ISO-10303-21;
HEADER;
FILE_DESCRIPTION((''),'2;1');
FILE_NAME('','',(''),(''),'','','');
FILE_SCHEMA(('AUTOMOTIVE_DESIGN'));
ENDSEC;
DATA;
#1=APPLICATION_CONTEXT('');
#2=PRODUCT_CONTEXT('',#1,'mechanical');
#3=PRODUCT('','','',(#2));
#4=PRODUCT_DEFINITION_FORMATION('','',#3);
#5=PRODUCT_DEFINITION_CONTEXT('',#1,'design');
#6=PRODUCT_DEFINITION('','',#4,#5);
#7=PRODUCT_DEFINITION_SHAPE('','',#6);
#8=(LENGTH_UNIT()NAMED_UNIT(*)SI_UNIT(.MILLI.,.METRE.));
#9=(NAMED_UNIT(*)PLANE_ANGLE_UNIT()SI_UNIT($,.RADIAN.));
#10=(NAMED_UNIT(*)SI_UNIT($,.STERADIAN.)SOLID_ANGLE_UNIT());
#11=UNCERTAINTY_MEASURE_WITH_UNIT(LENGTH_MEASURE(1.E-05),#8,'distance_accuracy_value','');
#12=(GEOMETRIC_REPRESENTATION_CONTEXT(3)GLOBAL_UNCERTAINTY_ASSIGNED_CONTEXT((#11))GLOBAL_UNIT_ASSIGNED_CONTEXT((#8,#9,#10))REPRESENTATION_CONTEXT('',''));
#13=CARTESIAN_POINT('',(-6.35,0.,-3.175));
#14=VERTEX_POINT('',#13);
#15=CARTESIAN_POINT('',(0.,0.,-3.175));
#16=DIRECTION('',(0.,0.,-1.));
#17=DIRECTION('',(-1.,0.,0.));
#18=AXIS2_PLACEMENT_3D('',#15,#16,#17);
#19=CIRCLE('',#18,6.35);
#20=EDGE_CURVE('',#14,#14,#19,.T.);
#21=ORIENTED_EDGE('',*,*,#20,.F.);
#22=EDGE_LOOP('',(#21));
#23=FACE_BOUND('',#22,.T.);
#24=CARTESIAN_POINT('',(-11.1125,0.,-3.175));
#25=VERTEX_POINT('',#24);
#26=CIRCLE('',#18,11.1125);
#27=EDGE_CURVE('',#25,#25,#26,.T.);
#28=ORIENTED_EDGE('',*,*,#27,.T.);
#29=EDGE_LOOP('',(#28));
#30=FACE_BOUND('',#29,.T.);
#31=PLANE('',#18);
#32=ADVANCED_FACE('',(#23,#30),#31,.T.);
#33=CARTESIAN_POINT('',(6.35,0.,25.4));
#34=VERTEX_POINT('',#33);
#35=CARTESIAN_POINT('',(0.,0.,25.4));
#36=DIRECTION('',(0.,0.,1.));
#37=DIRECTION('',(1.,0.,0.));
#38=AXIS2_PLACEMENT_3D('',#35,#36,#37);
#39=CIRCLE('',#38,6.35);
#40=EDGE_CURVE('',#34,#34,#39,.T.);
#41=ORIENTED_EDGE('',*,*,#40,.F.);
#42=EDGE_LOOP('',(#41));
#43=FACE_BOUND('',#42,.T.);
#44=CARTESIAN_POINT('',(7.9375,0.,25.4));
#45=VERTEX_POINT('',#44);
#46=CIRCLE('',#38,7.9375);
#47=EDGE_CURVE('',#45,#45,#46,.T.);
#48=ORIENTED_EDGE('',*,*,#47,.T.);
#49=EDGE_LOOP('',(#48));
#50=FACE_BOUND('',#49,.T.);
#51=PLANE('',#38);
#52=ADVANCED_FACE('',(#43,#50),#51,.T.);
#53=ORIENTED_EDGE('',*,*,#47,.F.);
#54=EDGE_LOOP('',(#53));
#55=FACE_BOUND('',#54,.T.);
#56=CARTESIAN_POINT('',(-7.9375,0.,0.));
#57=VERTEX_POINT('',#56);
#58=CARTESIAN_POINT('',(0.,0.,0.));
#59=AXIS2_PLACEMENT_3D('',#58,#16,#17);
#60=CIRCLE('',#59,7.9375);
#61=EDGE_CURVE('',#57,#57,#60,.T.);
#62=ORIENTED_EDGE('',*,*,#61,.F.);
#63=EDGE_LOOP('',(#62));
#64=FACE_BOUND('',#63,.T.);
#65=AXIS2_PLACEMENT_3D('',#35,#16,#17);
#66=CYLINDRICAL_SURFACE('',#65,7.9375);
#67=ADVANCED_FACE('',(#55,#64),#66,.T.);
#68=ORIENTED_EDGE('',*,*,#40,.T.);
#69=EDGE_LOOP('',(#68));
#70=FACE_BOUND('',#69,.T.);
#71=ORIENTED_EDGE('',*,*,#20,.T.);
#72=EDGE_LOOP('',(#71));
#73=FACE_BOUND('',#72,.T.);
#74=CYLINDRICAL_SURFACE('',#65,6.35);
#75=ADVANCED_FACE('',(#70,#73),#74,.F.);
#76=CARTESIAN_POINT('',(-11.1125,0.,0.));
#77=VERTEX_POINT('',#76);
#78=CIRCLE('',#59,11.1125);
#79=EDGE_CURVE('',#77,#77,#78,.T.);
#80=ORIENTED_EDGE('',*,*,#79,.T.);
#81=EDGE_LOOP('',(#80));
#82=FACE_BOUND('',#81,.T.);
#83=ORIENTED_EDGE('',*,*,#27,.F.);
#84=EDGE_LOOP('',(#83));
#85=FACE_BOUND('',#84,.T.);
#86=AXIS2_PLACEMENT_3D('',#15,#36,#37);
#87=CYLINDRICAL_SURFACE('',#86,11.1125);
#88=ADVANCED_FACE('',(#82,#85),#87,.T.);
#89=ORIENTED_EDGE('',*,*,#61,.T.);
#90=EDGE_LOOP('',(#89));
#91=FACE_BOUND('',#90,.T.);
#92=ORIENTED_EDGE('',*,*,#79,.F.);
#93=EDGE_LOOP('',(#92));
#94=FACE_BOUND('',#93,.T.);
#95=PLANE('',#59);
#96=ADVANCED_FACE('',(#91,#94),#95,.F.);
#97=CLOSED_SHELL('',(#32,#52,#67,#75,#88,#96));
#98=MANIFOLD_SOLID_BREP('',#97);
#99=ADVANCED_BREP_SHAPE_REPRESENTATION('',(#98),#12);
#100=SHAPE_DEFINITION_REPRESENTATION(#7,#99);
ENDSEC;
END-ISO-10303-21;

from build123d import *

# Parameters (mm, degrees)
SKETCH1_R           = 7.9375
SKETCH1_R_2         = 6.35
BOSS_EXTRUDE1_DEPTH = 25.4
SKETCH2_R           = 11.1125
SKETCH2_R_2         = 6.35
BOSS_EXTRUDE2_DEPTH = 3.175


with BuildPart() as part:
    # Sketch1 → Boss-Extrude1 (new body)
    with BuildSketch(Plane.XY):
        Circle(SKETCH1_R)
        Circle(SKETCH1_R_2, mode=Mode.SUBTRACT)
    extrude(amount=BOSS_EXTRUDE1_DEPTH)

    # Sketch2 → Boss-Extrude2 (add)
    with BuildSketch(Plane(origin=(0, 0, 0), x_dir=(-1, 0, 0), z_dir=(0, 0, -1))):
        Circle(SKETCH2_R)
        Circle(SKETCH2_R_2, mode=Mode.SUBTRACT)
    extrude(amount=BOSS_EXTRUDE2_DEPTH)


solid = part.part
